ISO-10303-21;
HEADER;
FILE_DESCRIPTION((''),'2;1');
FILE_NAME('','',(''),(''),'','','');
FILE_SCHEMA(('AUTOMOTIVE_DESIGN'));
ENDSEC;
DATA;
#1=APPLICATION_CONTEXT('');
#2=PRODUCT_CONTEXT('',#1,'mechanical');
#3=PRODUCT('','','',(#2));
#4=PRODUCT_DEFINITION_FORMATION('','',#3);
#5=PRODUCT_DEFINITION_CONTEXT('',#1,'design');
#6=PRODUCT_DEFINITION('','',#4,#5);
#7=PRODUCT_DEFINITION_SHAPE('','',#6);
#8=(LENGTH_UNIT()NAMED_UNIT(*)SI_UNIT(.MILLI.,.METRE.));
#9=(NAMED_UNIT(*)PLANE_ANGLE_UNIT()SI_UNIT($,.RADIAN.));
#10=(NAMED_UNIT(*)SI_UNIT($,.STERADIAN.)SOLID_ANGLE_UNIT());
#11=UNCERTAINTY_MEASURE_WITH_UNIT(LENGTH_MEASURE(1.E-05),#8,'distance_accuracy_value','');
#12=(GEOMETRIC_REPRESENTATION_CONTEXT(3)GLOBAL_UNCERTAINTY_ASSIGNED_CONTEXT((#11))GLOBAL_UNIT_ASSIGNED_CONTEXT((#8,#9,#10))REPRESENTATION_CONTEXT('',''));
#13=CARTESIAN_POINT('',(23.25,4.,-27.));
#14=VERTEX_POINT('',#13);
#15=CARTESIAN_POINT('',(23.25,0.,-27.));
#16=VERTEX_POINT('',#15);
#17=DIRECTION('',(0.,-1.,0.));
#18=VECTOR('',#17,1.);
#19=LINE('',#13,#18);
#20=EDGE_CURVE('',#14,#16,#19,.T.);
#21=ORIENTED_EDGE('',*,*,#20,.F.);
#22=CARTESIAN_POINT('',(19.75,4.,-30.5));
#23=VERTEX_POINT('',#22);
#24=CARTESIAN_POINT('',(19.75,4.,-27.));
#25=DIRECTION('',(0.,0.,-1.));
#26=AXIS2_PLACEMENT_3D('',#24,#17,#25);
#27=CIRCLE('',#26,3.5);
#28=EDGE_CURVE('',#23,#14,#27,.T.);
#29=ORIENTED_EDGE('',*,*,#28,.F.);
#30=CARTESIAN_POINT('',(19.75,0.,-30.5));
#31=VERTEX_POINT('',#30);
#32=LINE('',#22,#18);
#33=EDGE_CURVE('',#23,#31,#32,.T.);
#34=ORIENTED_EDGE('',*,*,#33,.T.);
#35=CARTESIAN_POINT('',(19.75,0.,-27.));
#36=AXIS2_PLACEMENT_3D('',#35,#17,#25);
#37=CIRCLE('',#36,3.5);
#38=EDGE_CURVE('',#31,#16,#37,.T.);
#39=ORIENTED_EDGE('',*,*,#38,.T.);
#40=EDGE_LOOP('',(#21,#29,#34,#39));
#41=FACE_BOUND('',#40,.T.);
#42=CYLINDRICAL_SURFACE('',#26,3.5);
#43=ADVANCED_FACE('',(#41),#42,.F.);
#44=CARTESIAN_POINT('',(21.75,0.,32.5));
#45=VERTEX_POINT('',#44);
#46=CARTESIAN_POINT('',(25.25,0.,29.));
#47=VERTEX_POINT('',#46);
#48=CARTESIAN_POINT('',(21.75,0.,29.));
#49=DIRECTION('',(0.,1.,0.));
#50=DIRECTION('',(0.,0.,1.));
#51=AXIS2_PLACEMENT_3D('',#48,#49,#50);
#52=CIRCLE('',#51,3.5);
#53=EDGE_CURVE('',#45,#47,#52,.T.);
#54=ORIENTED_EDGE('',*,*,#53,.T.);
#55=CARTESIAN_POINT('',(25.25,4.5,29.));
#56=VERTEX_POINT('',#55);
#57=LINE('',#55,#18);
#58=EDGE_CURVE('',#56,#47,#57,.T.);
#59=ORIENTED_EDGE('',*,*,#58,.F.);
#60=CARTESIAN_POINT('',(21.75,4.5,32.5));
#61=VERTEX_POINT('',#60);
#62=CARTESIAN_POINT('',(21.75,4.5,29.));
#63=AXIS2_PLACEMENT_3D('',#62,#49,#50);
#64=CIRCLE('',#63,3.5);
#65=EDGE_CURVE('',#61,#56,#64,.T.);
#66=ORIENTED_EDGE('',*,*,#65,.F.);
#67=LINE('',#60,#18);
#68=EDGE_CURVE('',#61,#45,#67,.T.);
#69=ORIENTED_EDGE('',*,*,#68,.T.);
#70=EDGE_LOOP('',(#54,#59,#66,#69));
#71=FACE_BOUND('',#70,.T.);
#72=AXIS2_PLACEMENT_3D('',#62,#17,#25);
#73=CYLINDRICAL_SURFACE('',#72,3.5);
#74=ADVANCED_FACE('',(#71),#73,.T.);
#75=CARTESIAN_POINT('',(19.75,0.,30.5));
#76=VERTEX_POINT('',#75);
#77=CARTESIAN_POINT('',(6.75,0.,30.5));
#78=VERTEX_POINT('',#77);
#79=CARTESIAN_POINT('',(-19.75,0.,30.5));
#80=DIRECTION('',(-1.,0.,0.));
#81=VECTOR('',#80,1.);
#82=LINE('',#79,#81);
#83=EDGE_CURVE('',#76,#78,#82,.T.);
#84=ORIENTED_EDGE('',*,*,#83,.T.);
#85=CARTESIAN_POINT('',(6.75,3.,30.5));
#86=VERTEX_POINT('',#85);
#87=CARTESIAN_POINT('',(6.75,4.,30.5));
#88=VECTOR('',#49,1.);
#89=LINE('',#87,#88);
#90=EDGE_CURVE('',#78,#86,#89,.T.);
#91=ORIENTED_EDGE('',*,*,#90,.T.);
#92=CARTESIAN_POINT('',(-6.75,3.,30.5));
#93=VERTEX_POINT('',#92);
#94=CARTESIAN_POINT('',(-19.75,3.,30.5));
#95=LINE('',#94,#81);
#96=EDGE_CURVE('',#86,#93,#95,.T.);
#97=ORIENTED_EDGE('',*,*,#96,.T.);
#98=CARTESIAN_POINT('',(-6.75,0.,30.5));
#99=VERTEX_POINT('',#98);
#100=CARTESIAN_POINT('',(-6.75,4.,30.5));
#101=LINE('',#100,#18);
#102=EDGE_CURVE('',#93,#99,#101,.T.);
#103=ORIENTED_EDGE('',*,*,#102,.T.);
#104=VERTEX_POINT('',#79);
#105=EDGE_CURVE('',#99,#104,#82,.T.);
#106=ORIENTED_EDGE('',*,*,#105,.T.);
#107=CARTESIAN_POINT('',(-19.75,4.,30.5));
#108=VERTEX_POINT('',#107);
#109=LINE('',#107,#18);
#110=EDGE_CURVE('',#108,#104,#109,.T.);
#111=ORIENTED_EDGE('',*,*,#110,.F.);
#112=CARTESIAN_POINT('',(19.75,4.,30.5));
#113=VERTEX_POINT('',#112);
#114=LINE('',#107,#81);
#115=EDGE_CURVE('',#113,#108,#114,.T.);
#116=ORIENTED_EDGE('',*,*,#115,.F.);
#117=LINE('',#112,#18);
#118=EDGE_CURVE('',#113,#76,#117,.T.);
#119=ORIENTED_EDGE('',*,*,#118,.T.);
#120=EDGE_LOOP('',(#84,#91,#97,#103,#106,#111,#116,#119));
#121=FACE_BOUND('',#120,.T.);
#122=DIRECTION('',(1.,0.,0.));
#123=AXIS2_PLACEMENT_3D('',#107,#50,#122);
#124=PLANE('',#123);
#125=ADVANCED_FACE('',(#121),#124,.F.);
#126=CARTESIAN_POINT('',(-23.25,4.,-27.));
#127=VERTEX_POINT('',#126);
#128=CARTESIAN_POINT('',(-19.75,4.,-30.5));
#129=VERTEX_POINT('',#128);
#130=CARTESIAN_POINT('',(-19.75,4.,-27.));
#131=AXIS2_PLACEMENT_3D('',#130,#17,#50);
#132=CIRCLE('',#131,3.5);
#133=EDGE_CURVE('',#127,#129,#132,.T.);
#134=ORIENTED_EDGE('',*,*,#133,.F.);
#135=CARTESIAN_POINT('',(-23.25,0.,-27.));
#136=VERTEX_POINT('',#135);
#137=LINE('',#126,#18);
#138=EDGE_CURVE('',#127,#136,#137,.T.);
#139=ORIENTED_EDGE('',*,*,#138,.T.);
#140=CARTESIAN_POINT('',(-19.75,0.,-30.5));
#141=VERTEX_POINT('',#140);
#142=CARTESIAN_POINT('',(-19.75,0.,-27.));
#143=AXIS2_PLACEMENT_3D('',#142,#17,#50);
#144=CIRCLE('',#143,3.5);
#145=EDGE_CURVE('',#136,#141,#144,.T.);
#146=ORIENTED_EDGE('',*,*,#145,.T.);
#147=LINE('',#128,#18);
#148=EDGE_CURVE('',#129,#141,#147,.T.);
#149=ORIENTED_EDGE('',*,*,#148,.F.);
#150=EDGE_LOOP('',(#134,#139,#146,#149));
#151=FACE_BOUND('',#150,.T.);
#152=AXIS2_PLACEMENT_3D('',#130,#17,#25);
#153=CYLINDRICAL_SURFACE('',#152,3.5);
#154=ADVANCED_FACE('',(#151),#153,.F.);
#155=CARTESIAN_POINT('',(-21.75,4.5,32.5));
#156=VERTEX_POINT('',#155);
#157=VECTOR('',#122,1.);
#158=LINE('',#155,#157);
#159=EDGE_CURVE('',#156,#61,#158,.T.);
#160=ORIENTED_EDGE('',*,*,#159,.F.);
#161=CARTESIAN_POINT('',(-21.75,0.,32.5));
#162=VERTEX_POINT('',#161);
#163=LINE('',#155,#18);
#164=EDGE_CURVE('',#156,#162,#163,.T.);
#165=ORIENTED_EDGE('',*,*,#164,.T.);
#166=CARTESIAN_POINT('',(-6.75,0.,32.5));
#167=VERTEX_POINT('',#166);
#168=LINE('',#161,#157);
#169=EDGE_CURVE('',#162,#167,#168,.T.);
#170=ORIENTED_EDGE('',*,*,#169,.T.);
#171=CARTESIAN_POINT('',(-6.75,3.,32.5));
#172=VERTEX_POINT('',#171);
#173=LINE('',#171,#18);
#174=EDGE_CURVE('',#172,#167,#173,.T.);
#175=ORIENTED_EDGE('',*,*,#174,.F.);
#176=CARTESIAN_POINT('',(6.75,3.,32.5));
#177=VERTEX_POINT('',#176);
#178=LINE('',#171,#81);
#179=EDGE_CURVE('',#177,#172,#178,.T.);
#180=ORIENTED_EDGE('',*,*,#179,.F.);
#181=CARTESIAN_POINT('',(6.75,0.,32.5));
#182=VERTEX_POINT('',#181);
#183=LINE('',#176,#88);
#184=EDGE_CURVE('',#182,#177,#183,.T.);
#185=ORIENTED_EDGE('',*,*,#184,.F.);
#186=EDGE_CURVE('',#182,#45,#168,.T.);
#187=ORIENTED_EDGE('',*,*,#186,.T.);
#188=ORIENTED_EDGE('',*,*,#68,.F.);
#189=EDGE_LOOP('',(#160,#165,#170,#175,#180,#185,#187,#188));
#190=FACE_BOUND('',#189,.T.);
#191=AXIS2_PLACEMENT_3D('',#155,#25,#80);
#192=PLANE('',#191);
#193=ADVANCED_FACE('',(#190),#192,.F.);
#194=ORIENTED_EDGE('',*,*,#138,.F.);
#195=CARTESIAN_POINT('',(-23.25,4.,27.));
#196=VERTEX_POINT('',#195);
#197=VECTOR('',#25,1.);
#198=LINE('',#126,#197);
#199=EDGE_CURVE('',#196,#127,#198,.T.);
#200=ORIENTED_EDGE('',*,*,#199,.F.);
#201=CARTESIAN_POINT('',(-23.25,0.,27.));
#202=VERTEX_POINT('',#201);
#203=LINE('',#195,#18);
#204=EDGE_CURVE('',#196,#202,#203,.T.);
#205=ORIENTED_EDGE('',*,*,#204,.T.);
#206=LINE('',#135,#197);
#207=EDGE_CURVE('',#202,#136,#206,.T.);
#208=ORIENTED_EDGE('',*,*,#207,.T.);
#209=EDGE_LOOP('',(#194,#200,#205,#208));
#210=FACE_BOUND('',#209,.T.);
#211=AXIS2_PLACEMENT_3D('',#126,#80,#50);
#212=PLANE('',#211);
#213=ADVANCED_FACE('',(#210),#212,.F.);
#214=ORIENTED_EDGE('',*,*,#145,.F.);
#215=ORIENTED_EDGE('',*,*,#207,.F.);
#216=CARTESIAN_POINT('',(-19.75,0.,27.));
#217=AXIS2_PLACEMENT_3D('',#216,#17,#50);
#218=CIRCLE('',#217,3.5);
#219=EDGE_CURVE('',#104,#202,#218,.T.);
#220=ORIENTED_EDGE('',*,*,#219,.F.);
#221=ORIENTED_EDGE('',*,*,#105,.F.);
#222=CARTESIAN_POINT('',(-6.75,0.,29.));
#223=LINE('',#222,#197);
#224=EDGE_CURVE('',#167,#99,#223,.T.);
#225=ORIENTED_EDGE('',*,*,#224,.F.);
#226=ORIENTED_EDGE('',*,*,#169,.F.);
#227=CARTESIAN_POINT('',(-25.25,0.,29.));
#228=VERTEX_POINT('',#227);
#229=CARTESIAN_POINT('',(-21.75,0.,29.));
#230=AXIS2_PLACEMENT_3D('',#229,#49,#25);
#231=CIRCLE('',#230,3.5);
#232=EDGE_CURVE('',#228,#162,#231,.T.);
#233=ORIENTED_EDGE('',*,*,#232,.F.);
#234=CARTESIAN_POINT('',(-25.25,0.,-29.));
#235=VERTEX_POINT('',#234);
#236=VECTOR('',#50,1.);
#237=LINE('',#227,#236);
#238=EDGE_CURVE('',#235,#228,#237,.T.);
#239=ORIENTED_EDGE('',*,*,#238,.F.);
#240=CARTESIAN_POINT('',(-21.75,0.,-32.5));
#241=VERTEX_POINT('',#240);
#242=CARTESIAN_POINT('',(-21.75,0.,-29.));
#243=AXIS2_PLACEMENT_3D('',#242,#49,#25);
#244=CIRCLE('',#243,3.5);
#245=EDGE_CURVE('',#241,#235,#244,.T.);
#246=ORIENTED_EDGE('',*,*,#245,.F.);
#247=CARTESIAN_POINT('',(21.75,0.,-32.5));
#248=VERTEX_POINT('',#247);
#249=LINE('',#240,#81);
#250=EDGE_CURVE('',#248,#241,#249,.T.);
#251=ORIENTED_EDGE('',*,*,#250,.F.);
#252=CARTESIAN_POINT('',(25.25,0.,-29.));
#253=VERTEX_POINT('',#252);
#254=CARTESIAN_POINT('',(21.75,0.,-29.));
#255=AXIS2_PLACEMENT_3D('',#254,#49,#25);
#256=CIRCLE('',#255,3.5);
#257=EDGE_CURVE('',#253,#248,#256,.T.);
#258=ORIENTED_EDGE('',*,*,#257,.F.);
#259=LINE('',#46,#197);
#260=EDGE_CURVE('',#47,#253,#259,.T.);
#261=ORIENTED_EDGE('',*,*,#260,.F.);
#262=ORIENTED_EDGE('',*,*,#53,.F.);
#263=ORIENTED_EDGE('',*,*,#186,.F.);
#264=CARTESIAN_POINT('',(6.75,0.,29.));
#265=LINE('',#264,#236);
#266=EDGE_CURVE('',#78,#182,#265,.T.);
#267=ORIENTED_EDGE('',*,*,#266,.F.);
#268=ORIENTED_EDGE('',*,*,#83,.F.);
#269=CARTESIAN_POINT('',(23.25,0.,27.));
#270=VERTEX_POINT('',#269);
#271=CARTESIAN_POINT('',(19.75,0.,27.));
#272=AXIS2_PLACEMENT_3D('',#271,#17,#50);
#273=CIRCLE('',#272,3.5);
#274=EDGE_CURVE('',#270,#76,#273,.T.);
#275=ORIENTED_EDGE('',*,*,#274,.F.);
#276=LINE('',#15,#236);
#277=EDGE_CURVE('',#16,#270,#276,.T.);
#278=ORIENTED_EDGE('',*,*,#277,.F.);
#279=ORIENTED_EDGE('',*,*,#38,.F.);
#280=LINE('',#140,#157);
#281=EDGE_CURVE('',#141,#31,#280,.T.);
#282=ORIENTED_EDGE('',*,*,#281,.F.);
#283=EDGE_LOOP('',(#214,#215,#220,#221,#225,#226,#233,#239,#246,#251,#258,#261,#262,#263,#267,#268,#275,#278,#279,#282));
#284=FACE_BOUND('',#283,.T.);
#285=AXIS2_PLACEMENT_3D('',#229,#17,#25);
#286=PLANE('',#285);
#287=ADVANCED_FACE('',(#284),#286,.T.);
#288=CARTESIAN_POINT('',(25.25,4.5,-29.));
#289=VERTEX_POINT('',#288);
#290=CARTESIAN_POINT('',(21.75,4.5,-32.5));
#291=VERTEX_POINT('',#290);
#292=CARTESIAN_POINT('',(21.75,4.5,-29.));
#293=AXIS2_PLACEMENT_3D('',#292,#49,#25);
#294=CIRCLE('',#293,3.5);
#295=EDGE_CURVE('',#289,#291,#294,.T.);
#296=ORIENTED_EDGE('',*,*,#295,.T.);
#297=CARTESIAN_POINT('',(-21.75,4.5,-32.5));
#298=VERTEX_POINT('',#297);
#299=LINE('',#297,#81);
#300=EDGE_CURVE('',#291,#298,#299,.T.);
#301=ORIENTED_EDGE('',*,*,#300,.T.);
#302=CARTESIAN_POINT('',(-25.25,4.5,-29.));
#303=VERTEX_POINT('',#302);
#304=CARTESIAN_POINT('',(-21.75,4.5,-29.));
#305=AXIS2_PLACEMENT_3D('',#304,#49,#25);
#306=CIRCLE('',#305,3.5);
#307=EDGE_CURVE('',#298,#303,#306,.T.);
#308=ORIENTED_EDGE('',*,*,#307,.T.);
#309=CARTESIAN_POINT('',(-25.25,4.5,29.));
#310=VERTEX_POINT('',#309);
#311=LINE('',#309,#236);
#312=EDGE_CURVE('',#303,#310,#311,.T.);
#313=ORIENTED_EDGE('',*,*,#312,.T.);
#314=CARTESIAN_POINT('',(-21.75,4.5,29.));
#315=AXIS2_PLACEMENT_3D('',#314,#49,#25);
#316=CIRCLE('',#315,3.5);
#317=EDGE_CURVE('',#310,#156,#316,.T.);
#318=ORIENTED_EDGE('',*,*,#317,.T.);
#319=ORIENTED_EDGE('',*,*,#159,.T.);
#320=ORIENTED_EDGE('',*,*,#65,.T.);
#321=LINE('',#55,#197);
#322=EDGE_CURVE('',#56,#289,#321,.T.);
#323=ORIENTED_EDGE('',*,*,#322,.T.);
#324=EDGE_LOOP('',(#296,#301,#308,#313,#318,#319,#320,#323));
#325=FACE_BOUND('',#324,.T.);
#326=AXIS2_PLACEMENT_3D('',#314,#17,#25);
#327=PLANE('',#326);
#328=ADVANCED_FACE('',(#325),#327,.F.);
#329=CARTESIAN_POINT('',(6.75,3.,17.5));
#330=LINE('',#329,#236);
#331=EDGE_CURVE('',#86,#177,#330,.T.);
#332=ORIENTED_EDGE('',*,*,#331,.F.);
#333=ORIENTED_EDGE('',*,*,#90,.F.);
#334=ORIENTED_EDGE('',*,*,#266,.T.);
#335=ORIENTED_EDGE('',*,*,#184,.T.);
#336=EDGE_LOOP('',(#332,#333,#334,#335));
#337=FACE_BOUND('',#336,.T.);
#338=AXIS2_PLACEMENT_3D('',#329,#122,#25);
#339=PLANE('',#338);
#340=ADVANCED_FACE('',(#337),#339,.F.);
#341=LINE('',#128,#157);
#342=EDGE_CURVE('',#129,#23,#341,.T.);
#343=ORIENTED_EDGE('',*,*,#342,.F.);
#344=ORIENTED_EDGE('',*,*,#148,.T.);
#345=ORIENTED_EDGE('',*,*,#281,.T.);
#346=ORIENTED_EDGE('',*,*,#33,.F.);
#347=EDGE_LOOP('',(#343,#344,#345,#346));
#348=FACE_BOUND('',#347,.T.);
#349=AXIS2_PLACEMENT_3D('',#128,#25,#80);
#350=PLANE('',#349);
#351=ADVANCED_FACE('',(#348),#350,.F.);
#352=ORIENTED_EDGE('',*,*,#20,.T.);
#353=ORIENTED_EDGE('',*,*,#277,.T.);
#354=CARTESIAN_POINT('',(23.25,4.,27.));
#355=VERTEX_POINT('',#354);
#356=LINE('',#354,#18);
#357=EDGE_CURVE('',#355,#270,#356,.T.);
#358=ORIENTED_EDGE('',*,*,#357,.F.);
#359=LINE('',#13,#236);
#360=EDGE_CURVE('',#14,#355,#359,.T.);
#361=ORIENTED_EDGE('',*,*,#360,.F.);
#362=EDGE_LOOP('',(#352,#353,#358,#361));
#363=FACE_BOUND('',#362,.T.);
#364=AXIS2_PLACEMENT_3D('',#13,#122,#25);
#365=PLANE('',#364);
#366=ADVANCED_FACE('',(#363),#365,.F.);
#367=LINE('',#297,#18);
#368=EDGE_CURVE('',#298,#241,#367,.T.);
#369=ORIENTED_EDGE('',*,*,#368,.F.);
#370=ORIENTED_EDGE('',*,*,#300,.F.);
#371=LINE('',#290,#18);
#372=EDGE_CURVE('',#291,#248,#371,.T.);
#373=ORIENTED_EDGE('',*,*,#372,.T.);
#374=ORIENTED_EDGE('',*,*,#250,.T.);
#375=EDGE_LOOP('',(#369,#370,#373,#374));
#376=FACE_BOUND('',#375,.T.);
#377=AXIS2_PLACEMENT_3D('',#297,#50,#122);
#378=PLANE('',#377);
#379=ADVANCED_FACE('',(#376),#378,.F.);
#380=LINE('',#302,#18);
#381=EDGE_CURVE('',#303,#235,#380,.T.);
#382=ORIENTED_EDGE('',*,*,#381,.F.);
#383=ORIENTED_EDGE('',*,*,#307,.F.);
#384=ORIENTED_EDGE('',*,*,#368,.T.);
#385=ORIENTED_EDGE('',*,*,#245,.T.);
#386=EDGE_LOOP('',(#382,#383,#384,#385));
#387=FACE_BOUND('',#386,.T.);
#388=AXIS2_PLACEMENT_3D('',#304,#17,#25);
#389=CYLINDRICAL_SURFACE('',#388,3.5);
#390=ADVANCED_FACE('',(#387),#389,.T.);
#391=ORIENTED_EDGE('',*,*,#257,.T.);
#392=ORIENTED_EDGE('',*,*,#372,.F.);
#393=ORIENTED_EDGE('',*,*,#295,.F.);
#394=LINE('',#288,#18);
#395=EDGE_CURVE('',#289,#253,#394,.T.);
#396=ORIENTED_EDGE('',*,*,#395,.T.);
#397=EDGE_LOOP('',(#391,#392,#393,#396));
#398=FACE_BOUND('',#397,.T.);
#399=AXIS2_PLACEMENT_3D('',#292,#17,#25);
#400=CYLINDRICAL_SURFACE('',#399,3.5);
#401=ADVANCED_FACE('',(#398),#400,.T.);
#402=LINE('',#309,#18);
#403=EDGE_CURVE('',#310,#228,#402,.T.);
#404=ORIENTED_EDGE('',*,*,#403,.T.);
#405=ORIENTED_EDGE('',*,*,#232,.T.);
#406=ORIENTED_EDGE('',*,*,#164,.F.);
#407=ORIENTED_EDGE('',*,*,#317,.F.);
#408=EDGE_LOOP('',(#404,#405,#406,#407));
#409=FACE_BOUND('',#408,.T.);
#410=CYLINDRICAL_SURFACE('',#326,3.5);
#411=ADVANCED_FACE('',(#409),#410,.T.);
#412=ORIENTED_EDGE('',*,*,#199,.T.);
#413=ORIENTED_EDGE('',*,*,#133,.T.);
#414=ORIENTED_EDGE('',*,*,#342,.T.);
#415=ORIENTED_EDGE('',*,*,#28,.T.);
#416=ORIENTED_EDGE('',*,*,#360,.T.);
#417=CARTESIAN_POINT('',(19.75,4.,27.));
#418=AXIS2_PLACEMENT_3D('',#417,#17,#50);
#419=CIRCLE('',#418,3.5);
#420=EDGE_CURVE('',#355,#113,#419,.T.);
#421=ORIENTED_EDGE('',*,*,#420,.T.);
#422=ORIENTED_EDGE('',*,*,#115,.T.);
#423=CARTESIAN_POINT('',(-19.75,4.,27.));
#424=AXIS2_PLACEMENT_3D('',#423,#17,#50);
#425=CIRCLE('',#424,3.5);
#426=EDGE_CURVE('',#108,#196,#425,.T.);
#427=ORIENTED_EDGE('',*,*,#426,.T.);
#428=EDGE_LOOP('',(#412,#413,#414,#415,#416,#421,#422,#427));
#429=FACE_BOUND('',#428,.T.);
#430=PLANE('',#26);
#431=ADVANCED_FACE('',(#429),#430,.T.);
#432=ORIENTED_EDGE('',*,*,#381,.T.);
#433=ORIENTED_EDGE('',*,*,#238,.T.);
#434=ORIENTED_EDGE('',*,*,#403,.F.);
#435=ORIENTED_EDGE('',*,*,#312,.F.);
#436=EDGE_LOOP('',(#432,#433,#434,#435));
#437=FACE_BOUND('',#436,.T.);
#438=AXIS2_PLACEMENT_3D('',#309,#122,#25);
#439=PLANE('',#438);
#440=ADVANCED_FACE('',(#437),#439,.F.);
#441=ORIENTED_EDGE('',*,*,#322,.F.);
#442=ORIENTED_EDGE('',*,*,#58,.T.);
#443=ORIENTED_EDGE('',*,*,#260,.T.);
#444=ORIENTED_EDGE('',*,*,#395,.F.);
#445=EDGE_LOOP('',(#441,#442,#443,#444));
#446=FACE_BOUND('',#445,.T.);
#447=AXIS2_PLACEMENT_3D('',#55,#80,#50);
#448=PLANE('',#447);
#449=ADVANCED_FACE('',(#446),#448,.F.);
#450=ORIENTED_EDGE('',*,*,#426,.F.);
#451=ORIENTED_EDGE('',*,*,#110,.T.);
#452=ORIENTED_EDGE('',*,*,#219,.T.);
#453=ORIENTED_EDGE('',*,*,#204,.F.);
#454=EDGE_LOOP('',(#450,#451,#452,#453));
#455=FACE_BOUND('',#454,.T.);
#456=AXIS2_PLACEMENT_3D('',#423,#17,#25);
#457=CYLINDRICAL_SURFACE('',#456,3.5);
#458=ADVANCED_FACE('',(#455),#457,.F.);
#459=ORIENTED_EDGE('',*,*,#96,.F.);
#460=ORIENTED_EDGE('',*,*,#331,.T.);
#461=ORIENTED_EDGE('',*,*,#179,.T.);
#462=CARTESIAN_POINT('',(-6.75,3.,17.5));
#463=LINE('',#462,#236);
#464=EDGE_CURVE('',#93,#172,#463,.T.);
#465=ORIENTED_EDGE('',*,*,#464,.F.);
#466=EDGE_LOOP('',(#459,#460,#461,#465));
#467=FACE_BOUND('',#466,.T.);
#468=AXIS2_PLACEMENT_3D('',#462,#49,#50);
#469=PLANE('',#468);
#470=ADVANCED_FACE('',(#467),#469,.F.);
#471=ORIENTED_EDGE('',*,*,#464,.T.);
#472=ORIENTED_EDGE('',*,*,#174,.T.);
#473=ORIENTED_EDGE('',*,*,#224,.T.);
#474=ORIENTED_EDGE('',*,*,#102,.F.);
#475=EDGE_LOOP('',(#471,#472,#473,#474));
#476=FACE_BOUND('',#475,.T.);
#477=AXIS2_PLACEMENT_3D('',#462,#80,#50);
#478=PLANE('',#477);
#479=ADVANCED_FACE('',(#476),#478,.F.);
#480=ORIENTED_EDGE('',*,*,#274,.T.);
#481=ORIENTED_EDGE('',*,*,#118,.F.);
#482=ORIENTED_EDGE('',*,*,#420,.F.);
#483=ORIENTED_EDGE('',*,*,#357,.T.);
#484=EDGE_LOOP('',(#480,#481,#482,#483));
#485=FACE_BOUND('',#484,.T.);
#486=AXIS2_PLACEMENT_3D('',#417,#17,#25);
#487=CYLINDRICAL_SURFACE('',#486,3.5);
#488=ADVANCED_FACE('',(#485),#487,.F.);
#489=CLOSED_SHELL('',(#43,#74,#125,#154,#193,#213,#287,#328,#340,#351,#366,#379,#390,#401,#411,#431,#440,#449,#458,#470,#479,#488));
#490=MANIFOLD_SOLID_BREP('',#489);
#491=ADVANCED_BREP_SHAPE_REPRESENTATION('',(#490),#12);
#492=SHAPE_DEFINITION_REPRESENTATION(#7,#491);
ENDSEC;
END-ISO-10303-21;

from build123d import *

# Parameters (mm, degrees)
BOSS_EXTRUDE1_DEPTH = 4.5
CUT_EXTRUDE1_DEPTH  = 4
SKETCH3_W           = 13.5
SKETCH3_H           = 6
CUT_EXTRUDE2_DEPTH  = 15


with BuildPart() as part:
    # Sketch1 → Boss-Extrude1 (new body)
    with BuildSketch(Plane(origin=(0, 0, 0), x_dir=(1, 0, 0), z_dir=(0, 1, 0))):
        with BuildLine():
            Line((-21.75, -32.5), (21.75, -32.5))
            ThreePointArc((21.75, -32.5), (24.224873734, -31.474873734), (25.25, -29))
            Line((25.25, -29), (25.25, 29))
            ThreePointArc((25.25, 29), (24.224873734, 31.474873734), (21.75, 32.5))
            Line((21.75, 32.5), (-21.75, 32.5))
            ThreePointArc((-21.75, 32.5), (-24.224873734, 31.474873734), (-25.25, 29))
            Line((-25.25, 29), (-25.25, -29))
            ThreePointArc((-25.25, -29), (-24.224873734, -31.474873734), (-21.75, -32.5))
        make_face()
    extrude(amount=BOSS_EXTRUDE1_DEPTH)

    # Sketch2 → Cut-Extrude1 (cut)
    with BuildSketch(Plane.XZ):
        with BuildLine():
            Line((-19.75, -30.5), (19.75, -30.5))
            ThreePointArc((19.75, -30.5), (22.224873734, -29.474873734), (23.25, -27))
            Line((23.25, -27), (23.25, 27))
            ThreePointArc((23.25, 27), (22.224873734, 29.474873734), (19.75, 30.5))
            Line((19.75, 30.5), (-19.75, 30.5))
            ThreePointArc((-19.75, 30.5), (-22.224873734, 29.474873734), (-23.25, 27))
            Line((-23.25, 27), (-23.25, -27))
            ThreePointArc((-23.25, -27), (-22.224873734, -29.474873734), (-19.75, -30.5))
        make_face()
    extrude(amount=-CUT_EXTRUDE1_DEPTH, mode=Mode.SUBTRACT)

    # Sketch3 → Cut-Extrude2 (cut)
    with BuildSketch(Plane.XY.offset(32.5)):
        Rectangle(SKETCH3_W, SKETCH3_H)
    extrude(amount=-CUT_EXTRUDE2_DEPTH, mode=Mode.SUBTRACT)


solid = part.part
